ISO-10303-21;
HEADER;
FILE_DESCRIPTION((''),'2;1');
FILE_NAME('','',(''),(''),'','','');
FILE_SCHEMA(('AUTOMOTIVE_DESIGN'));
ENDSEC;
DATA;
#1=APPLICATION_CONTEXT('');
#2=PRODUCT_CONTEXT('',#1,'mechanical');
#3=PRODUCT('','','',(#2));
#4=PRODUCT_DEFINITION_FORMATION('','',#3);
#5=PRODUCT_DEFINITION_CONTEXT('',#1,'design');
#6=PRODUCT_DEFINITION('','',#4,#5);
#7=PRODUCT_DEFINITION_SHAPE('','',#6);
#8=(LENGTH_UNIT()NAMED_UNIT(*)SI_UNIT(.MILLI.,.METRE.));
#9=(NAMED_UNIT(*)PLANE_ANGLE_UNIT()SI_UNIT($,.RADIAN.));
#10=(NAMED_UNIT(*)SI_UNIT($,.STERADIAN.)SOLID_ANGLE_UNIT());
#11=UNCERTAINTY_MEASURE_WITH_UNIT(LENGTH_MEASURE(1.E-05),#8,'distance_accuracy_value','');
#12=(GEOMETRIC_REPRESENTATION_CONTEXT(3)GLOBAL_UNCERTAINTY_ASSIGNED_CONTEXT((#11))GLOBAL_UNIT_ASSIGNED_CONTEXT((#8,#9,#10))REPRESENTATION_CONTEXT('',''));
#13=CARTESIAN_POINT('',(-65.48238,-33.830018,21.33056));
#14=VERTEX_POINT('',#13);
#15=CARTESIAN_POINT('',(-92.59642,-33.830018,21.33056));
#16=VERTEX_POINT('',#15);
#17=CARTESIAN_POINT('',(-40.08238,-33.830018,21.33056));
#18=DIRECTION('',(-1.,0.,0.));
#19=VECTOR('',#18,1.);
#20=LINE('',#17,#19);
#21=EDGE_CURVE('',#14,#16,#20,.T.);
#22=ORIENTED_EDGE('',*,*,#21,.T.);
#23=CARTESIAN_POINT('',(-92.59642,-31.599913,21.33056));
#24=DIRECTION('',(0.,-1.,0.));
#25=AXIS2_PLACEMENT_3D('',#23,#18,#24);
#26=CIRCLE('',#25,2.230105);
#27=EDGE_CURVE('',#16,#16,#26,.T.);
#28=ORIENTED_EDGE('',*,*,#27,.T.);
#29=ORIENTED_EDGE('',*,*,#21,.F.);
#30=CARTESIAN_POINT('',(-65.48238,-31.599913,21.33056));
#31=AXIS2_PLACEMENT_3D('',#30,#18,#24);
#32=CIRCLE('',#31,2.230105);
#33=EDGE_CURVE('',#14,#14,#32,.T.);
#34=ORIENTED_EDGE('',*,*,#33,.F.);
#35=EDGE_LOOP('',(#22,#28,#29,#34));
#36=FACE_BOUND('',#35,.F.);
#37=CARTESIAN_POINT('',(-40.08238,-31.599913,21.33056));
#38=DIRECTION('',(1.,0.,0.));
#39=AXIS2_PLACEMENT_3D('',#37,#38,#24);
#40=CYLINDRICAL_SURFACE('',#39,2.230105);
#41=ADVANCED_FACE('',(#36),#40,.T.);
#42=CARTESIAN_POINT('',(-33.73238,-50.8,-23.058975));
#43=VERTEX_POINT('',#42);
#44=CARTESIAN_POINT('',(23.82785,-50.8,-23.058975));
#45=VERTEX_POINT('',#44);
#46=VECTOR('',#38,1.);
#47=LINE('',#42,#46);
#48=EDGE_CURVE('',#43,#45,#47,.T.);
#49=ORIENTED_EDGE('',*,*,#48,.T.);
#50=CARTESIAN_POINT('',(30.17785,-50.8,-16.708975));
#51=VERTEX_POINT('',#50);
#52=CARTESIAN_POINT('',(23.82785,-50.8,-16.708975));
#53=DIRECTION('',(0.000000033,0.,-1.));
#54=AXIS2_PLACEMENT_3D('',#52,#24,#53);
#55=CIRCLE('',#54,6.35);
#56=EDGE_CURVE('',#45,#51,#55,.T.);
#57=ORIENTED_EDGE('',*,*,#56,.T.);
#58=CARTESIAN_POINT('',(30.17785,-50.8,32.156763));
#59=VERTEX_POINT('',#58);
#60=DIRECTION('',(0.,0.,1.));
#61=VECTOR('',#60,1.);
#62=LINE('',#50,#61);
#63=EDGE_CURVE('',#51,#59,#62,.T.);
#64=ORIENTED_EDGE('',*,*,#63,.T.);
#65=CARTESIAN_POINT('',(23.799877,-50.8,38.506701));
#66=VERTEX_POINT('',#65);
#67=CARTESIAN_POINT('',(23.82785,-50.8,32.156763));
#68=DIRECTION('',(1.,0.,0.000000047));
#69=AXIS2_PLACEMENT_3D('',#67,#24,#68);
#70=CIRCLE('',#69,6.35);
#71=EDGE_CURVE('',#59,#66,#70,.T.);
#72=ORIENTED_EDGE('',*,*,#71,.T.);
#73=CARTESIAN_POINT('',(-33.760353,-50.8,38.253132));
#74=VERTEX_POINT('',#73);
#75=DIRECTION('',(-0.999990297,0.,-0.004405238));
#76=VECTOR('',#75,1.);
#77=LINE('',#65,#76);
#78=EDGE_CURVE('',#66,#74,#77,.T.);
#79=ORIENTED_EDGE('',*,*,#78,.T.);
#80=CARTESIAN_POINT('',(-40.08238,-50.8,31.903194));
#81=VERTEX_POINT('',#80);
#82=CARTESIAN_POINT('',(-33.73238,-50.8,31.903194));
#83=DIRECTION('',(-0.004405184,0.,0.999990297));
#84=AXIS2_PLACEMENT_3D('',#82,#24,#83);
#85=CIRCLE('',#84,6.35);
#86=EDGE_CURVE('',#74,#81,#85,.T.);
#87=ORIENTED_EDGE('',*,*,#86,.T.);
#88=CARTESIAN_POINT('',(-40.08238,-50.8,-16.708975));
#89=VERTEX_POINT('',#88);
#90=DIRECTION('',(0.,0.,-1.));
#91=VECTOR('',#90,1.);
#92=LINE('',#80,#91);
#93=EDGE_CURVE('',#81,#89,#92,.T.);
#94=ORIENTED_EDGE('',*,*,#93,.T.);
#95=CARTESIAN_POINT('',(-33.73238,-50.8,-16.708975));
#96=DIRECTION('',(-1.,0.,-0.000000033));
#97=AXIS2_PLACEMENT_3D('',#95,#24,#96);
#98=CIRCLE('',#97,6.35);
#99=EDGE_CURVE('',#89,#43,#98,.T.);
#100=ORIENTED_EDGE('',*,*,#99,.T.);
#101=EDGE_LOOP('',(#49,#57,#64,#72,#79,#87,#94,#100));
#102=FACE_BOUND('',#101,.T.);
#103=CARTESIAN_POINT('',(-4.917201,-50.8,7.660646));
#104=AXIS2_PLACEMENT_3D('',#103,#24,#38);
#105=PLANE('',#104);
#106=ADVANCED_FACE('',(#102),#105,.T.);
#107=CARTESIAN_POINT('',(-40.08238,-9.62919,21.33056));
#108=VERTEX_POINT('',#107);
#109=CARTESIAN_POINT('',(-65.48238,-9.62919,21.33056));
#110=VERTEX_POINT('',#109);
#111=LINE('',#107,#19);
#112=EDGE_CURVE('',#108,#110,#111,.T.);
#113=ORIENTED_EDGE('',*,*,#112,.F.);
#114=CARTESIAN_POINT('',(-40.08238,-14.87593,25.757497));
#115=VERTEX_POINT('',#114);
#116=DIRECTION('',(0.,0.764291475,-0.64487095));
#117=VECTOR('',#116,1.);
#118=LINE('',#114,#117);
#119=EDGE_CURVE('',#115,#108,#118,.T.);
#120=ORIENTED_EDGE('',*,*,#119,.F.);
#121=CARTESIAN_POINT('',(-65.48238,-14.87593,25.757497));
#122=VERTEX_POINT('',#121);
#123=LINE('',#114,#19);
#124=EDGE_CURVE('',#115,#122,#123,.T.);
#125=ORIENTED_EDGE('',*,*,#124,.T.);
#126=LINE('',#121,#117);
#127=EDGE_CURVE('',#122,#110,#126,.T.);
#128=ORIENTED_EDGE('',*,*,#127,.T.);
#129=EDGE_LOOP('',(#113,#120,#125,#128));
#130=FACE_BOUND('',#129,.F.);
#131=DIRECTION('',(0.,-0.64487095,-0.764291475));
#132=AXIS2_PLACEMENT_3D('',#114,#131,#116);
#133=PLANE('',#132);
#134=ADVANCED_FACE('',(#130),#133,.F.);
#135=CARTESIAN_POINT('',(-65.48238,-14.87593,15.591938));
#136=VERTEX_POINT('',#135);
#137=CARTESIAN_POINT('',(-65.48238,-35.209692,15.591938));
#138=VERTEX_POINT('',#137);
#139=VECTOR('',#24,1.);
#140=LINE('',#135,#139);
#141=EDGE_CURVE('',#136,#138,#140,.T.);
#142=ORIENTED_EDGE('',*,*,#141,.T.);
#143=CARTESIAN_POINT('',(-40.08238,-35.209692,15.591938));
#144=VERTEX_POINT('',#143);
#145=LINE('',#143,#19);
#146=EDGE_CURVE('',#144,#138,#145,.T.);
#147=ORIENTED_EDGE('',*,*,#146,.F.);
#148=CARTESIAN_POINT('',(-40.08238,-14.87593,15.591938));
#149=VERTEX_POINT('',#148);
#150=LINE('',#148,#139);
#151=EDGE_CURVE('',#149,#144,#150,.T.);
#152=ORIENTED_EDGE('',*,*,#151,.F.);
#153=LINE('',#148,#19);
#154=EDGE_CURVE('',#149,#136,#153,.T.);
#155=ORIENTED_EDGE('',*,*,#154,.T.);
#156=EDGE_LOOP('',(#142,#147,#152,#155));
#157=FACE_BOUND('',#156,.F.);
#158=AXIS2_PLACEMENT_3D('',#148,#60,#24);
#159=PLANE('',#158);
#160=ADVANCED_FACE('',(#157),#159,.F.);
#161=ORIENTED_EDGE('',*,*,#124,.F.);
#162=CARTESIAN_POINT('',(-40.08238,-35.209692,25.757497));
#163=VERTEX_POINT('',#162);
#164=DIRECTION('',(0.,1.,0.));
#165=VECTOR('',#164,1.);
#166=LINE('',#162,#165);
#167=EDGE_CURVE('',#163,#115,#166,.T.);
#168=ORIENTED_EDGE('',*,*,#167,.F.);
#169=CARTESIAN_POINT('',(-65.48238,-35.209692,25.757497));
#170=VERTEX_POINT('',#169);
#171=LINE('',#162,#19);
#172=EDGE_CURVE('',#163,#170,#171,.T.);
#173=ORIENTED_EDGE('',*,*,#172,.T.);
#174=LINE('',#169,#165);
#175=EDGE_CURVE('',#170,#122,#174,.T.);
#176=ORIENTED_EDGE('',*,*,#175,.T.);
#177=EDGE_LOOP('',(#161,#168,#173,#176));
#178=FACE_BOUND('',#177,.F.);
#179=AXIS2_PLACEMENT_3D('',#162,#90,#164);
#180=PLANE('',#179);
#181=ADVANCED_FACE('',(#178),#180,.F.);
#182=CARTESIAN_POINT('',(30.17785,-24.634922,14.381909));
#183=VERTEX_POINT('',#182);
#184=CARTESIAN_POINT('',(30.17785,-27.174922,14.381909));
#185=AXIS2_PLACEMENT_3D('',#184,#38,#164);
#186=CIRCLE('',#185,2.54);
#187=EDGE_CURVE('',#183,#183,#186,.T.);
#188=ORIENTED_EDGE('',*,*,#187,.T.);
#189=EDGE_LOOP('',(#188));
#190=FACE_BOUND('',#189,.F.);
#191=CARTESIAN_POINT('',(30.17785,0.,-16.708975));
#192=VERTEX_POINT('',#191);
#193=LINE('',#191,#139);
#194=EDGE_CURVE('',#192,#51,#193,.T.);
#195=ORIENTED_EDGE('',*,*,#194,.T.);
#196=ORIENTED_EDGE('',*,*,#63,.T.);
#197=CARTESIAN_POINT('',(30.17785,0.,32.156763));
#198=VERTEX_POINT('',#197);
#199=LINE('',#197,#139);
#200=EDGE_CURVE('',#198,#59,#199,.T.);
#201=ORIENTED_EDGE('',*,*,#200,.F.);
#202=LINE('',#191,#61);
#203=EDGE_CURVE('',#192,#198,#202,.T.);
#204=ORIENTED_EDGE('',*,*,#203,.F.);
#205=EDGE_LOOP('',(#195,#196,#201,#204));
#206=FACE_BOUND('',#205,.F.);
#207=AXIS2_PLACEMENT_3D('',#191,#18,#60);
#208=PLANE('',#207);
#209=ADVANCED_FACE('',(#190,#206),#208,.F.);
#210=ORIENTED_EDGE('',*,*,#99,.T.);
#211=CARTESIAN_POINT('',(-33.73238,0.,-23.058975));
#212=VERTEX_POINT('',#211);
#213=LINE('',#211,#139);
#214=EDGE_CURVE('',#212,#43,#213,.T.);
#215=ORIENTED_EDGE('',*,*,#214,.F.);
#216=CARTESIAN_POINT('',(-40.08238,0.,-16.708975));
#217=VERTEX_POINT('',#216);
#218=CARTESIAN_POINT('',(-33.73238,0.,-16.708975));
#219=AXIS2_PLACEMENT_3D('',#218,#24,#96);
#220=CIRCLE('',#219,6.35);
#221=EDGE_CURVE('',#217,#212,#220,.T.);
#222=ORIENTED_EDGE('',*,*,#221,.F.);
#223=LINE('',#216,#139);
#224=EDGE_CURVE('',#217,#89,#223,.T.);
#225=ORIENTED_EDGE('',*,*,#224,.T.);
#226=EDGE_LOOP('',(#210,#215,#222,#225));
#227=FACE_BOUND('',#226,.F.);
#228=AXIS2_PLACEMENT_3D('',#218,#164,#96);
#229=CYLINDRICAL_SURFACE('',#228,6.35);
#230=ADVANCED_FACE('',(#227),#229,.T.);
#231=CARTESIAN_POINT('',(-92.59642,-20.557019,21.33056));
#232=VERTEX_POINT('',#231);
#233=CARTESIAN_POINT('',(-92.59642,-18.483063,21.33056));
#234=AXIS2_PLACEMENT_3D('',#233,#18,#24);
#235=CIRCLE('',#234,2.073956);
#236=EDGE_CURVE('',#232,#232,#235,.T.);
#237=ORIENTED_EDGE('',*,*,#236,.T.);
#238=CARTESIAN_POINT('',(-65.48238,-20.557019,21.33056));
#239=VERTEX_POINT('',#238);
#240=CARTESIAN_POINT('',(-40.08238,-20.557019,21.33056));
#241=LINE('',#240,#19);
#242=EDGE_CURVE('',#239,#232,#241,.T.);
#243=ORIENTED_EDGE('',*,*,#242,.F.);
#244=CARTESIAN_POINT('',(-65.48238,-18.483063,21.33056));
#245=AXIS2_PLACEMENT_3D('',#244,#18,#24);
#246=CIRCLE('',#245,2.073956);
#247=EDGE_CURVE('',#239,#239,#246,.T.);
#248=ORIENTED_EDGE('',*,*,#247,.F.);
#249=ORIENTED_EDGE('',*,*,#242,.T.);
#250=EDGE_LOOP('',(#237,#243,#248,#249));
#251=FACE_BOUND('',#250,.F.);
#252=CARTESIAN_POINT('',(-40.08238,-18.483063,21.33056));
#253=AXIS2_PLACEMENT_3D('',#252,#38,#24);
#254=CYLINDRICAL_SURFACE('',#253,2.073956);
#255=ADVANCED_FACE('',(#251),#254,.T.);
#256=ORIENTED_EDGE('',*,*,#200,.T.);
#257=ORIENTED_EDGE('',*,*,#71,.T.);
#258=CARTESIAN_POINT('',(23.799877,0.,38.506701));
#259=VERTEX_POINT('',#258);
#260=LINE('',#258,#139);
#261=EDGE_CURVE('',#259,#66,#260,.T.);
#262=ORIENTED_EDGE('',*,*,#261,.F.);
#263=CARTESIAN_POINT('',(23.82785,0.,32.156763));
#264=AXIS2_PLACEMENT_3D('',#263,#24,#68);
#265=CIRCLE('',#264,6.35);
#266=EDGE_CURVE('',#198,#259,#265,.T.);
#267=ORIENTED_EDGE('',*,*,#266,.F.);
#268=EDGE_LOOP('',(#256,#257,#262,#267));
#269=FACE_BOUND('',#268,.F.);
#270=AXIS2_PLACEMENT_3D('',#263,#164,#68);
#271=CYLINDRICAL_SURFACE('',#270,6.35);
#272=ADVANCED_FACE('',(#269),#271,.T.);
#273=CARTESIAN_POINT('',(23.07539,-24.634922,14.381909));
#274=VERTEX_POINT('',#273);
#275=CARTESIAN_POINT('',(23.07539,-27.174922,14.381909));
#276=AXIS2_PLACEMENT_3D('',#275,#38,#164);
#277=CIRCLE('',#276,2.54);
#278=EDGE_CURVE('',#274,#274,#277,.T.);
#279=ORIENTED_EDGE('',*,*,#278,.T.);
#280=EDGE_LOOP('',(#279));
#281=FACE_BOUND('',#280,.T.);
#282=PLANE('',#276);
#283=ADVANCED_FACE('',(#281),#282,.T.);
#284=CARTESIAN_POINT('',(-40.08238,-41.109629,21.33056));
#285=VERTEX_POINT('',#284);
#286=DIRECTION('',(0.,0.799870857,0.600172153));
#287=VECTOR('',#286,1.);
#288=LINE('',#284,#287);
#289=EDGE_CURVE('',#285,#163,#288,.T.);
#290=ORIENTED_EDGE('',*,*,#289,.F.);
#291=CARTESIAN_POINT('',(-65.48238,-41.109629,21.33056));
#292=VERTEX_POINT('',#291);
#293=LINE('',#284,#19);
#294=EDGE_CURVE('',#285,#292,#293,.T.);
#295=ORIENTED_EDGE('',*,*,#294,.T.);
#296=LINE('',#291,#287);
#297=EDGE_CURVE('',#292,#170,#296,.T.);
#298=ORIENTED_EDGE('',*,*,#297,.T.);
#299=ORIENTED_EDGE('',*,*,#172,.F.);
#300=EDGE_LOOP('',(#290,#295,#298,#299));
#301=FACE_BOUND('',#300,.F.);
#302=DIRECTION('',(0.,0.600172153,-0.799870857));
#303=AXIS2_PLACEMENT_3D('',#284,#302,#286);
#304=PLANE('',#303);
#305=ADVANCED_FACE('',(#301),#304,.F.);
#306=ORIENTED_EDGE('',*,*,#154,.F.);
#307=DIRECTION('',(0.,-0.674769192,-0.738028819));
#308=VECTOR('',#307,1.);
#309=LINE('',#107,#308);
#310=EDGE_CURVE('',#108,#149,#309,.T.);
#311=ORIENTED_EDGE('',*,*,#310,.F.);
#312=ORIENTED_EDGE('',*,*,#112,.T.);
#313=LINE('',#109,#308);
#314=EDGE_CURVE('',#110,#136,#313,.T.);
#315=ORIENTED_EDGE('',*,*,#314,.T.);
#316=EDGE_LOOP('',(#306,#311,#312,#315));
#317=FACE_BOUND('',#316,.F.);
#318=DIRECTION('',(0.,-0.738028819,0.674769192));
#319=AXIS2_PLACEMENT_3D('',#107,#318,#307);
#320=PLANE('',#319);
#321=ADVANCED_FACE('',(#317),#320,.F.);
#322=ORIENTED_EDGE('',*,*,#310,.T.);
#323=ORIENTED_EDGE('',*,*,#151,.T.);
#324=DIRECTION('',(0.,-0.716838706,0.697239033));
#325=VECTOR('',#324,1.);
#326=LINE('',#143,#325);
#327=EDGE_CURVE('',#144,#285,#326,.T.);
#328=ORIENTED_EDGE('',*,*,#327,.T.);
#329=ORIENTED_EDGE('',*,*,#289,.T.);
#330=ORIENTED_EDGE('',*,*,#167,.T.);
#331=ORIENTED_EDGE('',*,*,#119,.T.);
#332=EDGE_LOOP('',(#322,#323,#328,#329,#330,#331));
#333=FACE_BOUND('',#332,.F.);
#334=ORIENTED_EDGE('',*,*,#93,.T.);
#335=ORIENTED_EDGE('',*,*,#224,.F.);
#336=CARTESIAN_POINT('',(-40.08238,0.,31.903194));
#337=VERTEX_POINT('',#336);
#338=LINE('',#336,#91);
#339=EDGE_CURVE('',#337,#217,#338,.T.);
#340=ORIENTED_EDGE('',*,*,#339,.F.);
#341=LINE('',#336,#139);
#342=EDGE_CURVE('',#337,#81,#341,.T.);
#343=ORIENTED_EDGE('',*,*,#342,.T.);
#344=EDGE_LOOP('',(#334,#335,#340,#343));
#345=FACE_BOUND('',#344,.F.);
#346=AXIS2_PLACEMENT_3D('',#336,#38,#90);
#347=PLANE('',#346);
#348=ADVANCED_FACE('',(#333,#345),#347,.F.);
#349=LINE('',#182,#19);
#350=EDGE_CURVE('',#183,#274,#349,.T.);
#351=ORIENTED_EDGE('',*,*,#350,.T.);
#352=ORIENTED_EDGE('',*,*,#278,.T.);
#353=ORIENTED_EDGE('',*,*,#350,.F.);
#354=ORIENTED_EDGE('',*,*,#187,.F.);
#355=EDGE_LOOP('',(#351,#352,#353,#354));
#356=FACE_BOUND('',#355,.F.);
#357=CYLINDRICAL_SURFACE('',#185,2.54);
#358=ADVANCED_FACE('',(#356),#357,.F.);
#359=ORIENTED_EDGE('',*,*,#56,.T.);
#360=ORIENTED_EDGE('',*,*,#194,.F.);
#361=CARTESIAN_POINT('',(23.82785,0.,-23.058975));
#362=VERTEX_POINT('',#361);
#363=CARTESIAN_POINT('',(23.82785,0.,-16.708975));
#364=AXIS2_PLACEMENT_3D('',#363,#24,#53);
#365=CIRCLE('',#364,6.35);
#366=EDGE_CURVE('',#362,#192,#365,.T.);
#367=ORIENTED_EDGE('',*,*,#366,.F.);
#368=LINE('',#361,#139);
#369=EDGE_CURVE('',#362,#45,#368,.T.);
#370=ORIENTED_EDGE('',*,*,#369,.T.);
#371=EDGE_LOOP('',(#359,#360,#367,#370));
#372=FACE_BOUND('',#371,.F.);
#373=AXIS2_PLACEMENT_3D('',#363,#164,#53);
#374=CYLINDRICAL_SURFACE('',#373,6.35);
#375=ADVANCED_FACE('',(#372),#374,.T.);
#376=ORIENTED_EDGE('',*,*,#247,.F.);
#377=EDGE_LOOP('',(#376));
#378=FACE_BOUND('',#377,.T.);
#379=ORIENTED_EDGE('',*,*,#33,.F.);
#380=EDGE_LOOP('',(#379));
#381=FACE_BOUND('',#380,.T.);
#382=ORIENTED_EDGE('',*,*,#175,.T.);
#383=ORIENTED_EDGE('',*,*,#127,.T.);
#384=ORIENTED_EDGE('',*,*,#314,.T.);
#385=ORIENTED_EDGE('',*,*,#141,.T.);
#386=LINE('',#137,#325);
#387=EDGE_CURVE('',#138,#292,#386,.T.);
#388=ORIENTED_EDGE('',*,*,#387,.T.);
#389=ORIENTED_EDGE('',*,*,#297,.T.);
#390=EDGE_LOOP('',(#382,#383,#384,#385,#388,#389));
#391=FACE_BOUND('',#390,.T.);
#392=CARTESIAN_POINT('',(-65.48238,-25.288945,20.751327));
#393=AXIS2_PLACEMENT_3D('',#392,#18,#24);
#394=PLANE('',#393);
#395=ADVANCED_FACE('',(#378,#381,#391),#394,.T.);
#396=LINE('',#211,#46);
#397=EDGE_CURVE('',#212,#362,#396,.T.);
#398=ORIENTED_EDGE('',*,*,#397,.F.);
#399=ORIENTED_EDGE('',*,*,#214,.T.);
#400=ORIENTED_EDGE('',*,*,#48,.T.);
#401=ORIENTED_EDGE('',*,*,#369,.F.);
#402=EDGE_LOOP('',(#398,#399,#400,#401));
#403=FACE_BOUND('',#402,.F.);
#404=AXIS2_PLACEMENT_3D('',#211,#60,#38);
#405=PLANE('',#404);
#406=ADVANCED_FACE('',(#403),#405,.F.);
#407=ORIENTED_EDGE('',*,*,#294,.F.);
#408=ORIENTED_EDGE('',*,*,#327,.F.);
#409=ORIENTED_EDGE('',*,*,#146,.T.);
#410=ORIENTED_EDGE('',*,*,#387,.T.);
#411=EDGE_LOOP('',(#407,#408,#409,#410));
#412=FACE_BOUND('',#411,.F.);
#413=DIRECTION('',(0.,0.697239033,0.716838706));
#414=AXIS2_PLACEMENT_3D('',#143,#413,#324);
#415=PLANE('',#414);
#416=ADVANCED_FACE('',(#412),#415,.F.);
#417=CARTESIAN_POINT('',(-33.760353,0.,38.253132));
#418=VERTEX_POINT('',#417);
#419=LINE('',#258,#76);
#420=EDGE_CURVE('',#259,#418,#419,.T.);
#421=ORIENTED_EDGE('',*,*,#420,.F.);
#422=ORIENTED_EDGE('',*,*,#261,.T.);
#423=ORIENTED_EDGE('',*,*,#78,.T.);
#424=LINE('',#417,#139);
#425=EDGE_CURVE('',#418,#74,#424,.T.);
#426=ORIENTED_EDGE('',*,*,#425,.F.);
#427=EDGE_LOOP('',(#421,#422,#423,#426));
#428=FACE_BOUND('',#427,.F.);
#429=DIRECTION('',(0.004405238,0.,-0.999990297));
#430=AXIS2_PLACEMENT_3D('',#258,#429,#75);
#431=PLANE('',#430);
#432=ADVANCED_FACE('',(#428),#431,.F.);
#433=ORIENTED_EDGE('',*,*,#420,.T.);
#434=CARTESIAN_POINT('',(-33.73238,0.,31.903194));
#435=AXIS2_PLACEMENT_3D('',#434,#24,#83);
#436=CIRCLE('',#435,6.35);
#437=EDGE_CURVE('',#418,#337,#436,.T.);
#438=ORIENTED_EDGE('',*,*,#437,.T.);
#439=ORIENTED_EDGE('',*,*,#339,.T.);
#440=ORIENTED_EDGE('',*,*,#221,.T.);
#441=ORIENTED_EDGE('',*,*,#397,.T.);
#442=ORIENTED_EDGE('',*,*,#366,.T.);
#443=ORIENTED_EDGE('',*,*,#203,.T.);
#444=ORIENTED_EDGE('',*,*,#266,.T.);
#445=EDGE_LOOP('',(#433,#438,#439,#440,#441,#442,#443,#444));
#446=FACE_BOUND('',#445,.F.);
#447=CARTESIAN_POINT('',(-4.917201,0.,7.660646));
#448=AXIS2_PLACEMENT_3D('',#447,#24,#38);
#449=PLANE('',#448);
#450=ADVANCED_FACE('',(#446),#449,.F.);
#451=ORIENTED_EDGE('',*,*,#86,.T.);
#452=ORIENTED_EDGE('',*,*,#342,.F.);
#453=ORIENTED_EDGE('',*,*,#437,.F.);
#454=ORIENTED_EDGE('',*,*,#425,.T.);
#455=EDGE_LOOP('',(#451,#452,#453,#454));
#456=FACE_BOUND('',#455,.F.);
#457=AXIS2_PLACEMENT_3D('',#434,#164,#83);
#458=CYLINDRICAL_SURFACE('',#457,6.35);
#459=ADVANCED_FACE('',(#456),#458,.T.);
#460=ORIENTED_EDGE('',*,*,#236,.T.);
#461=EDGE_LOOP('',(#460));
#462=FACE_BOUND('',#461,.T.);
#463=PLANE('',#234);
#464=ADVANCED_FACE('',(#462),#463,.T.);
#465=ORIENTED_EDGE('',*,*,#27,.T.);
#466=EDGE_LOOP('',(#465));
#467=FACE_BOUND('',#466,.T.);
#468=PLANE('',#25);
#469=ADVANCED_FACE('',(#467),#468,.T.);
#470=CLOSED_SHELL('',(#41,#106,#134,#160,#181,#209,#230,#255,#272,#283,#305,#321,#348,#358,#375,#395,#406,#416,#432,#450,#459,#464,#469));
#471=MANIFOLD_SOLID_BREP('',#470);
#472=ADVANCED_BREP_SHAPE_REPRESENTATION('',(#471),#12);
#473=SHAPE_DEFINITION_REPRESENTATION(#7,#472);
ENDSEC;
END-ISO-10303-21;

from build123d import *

# Parameters (mm, degrees)
F1_DEPTH = 50.8
F2_R     = 2.073956
F2_R_2   = 2.230105
F3_DEPTH = 25.4
F4_DEPTH = 52.51404
F5_R     = 2.54
F6_DEPTH = 7.10246


with BuildPart() as f1:
    # F0 (on Front) → F1 (new body)
    with BuildSketch(Plane.XZ):
        with BuildLine():
            ThreePointArc((-33.760353, 38.253132), (-38.232387, 36.383421), (-40.08238, 31.903194))
            Line((-40.08238, 31.903194), (-40.08238, -16.708975))
            ThreePointArc((-40.08238, -16.708975), (-38.222508, -21.199103), (-33.73238, -23.058975))
            Line((-33.73238, -23.058975), (23.82785, -23.058975))
            ThreePointArc((23.82785, -23.058975), (28.317978, -21.199103), (30.17785, -16.708975))
            Line((30.17785, -16.708975), (30.17785, 32.156763))
            ThreePointArc((30.17785, 32.156763), (28.308077, 36.65677), (23.799877, 38.506701))
            Line((23.799877, 38.506701), (-33.760353, 38.253132))
        make_face()
    extrude(amount=F1_DEPTH)

    # F2 (on face) → F3 (join)
    with BuildSketch(Plane(origin=(-40.08238, 0, 0), x_dir=(0, -1, 0), z_dir=(-1, 0, 0))):
        Polygon((14.87593, 25.757497), (9.62919, 21.33056), (14.87593, 15.591938), (35.209692, 15.591938), (41.109629, 21.33056), (35.209692, 25.757497), align=None)
        with Locations((18.483063, 21.33056)):
            Circle(F2_R, mode=Mode.SUBTRACT)
        with Locations((31.599913, 21.33056)):
            Circle(F2_R_2, mode=Mode.SUBTRACT)
    extrude(amount=F3_DEPTH)

    # F2 (on face) → F4 (join)
    with BuildSketch(Plane(origin=(-40.08238, 0, 0), x_dir=(0, -1, 0), z_dir=(-1, 0, 0))):
        with Locations((18.483063, 21.33056)):
            Circle(F2_R)
        with Locations((31.599913, 21.33056)):
            Circle(F2_R_2)
    extrude(amount=F4_DEPTH)

    # F5 (on face) → F6 (cut)
    with BuildSketch(Plane.YZ.offset(30.17785)):
        with Locations((-27.174922, 14.381909)):
            Circle(F5_R)
    extrude(amount=-F6_DEPTH, mode=Mode.SUBTRACT)


solid = f1.part
